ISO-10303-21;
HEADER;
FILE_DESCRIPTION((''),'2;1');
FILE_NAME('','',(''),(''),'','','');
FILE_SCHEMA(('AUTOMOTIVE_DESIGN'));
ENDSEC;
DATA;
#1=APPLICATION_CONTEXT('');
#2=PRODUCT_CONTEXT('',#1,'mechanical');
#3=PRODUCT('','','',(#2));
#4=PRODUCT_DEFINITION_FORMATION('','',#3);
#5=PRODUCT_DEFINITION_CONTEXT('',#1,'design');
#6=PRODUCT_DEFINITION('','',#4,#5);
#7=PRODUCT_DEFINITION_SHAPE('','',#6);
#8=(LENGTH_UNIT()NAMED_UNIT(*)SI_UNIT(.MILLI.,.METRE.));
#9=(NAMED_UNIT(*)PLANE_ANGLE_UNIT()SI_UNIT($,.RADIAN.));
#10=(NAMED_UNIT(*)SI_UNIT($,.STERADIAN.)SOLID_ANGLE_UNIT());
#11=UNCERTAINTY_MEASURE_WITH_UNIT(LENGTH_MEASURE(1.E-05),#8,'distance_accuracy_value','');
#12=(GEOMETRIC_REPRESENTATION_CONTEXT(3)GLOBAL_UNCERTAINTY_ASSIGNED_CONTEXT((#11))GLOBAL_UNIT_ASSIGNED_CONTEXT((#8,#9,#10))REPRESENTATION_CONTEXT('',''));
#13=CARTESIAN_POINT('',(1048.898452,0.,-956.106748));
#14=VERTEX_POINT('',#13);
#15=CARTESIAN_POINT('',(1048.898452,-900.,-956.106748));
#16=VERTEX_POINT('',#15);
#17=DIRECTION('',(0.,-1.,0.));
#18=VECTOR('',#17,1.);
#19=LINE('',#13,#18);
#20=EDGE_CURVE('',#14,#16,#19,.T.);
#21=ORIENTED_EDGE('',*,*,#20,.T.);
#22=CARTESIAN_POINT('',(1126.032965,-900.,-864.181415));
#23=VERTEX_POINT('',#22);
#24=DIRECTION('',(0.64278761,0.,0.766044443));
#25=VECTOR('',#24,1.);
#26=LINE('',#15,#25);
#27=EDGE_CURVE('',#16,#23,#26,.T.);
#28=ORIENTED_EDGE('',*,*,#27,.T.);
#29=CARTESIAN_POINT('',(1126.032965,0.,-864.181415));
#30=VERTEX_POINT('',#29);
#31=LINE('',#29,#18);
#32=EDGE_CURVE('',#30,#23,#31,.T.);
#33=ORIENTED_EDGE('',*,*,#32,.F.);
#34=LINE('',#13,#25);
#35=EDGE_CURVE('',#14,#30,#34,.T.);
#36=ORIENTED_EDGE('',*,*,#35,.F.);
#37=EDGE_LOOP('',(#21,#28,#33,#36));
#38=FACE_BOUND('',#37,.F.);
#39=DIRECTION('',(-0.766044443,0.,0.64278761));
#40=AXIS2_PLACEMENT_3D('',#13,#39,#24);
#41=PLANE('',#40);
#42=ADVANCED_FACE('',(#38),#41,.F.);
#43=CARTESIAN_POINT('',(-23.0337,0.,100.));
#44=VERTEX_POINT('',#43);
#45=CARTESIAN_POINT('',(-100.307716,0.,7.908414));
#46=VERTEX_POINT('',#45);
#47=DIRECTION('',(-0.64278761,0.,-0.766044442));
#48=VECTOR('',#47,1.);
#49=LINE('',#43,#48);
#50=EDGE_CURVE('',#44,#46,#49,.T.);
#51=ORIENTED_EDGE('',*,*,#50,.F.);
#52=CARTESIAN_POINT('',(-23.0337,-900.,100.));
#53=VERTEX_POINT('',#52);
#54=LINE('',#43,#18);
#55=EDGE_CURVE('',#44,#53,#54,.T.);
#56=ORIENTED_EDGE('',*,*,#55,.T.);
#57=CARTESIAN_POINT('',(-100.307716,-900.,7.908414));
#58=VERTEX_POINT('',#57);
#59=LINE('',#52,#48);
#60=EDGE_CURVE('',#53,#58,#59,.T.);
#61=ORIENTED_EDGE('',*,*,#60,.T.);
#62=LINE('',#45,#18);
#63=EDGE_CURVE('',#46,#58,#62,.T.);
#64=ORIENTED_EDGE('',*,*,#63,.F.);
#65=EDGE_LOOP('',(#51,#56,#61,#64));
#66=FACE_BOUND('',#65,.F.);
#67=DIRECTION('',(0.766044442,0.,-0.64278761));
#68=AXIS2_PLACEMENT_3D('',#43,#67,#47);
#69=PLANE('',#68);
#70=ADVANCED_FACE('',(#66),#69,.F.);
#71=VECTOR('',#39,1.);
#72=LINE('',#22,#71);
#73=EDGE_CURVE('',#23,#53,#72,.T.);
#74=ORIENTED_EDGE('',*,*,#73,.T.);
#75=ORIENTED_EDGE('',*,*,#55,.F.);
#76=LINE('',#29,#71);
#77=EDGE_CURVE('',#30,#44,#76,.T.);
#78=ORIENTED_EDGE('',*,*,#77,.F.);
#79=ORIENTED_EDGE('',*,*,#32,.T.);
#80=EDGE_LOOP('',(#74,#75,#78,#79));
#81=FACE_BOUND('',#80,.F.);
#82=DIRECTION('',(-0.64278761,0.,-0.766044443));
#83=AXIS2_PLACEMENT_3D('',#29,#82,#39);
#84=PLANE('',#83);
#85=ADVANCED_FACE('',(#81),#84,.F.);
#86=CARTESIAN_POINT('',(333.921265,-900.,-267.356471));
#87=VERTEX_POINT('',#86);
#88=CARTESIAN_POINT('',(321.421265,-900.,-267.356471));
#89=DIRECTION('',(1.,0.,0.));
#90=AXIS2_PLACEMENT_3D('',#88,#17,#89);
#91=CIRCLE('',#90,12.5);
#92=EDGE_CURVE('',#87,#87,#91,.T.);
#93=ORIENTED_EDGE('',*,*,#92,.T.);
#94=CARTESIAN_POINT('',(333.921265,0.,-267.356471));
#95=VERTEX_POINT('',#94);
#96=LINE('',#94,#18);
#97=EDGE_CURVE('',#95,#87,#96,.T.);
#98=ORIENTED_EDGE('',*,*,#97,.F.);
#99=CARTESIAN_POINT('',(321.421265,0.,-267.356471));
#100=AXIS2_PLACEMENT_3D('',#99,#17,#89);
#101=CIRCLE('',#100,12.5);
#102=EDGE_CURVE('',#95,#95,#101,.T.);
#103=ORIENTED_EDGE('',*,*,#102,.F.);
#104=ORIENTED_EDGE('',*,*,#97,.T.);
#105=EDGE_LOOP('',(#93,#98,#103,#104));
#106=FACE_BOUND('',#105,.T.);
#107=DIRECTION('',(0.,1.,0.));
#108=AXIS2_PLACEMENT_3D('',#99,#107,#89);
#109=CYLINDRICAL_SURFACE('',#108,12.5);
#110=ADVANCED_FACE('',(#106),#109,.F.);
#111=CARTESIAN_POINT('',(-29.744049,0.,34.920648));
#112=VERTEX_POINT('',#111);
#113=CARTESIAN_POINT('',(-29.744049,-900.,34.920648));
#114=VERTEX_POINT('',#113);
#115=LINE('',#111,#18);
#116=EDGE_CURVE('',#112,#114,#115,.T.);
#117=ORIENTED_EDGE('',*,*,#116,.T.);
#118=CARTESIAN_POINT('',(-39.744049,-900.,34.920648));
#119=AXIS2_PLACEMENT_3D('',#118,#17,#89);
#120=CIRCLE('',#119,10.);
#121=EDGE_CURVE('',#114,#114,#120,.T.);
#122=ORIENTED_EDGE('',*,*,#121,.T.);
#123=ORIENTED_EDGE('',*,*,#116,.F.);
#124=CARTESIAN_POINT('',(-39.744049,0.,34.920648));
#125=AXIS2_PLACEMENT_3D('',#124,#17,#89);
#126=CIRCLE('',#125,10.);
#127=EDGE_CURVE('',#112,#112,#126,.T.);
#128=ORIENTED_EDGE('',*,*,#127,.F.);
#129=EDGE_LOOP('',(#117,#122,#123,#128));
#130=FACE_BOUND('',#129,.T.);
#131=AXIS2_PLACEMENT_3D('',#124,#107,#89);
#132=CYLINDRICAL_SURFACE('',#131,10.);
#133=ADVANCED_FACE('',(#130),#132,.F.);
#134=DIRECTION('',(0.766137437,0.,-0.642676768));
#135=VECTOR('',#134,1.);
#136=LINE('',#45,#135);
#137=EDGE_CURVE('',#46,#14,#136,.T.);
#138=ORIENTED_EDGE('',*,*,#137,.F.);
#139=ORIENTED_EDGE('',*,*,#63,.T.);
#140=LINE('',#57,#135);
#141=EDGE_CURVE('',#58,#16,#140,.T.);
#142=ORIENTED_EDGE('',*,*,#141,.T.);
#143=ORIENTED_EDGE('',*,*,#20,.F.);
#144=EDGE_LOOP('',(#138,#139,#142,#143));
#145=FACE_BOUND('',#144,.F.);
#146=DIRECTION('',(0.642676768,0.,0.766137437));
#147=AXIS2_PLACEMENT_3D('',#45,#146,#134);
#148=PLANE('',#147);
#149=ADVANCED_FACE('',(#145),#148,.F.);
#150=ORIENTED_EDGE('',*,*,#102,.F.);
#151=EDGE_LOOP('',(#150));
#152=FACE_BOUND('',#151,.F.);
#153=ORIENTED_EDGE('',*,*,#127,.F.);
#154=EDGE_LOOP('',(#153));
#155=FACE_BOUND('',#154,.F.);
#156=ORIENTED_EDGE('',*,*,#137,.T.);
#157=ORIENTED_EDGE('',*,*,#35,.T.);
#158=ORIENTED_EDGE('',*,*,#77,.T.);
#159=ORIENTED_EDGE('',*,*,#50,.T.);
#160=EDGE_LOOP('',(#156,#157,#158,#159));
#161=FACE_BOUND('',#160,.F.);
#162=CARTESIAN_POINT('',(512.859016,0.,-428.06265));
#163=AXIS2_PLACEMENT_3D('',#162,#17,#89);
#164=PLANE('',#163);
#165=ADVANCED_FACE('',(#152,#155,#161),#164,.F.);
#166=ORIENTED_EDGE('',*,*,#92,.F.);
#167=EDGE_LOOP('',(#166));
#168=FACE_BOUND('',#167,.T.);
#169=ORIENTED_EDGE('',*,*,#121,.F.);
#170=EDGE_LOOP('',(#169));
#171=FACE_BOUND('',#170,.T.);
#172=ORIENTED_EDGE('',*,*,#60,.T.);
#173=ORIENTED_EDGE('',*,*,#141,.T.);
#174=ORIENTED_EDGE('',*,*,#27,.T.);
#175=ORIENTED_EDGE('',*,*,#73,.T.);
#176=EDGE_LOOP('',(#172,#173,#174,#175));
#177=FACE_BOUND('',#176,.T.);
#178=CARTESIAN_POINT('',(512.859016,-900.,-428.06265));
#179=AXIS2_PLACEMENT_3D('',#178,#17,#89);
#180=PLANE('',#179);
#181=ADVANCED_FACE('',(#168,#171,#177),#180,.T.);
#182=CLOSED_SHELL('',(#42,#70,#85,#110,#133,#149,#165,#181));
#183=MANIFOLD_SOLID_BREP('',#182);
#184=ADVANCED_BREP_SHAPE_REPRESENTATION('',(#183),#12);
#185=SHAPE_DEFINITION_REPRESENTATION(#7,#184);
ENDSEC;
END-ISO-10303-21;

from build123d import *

# Parameters (mm, degrees)
F0_R     = 12.5
F0_R_2   = 10
F1_DEPTH = 900


with BuildPart() as f1:
    # F0 (on Front) → F1 (new body)
    with BuildSketch(Plane.XZ):
        Polygon((1126.032965, -864.181415), (-23.0337, 100), (-100.307716, 7.908414), (1048.898452, -956.106748), align=None)
        with Locations((321.421265, -267.356471)):
            Circle(F0_R, mode=Mode.SUBTRACT)
        with Locations((-39.744049, 34.920648)):
            Circle(F0_R_2, mode=Mode.SUBTRACT)
    extrude(amount=F1_DEPTH)


solid = f1.part
